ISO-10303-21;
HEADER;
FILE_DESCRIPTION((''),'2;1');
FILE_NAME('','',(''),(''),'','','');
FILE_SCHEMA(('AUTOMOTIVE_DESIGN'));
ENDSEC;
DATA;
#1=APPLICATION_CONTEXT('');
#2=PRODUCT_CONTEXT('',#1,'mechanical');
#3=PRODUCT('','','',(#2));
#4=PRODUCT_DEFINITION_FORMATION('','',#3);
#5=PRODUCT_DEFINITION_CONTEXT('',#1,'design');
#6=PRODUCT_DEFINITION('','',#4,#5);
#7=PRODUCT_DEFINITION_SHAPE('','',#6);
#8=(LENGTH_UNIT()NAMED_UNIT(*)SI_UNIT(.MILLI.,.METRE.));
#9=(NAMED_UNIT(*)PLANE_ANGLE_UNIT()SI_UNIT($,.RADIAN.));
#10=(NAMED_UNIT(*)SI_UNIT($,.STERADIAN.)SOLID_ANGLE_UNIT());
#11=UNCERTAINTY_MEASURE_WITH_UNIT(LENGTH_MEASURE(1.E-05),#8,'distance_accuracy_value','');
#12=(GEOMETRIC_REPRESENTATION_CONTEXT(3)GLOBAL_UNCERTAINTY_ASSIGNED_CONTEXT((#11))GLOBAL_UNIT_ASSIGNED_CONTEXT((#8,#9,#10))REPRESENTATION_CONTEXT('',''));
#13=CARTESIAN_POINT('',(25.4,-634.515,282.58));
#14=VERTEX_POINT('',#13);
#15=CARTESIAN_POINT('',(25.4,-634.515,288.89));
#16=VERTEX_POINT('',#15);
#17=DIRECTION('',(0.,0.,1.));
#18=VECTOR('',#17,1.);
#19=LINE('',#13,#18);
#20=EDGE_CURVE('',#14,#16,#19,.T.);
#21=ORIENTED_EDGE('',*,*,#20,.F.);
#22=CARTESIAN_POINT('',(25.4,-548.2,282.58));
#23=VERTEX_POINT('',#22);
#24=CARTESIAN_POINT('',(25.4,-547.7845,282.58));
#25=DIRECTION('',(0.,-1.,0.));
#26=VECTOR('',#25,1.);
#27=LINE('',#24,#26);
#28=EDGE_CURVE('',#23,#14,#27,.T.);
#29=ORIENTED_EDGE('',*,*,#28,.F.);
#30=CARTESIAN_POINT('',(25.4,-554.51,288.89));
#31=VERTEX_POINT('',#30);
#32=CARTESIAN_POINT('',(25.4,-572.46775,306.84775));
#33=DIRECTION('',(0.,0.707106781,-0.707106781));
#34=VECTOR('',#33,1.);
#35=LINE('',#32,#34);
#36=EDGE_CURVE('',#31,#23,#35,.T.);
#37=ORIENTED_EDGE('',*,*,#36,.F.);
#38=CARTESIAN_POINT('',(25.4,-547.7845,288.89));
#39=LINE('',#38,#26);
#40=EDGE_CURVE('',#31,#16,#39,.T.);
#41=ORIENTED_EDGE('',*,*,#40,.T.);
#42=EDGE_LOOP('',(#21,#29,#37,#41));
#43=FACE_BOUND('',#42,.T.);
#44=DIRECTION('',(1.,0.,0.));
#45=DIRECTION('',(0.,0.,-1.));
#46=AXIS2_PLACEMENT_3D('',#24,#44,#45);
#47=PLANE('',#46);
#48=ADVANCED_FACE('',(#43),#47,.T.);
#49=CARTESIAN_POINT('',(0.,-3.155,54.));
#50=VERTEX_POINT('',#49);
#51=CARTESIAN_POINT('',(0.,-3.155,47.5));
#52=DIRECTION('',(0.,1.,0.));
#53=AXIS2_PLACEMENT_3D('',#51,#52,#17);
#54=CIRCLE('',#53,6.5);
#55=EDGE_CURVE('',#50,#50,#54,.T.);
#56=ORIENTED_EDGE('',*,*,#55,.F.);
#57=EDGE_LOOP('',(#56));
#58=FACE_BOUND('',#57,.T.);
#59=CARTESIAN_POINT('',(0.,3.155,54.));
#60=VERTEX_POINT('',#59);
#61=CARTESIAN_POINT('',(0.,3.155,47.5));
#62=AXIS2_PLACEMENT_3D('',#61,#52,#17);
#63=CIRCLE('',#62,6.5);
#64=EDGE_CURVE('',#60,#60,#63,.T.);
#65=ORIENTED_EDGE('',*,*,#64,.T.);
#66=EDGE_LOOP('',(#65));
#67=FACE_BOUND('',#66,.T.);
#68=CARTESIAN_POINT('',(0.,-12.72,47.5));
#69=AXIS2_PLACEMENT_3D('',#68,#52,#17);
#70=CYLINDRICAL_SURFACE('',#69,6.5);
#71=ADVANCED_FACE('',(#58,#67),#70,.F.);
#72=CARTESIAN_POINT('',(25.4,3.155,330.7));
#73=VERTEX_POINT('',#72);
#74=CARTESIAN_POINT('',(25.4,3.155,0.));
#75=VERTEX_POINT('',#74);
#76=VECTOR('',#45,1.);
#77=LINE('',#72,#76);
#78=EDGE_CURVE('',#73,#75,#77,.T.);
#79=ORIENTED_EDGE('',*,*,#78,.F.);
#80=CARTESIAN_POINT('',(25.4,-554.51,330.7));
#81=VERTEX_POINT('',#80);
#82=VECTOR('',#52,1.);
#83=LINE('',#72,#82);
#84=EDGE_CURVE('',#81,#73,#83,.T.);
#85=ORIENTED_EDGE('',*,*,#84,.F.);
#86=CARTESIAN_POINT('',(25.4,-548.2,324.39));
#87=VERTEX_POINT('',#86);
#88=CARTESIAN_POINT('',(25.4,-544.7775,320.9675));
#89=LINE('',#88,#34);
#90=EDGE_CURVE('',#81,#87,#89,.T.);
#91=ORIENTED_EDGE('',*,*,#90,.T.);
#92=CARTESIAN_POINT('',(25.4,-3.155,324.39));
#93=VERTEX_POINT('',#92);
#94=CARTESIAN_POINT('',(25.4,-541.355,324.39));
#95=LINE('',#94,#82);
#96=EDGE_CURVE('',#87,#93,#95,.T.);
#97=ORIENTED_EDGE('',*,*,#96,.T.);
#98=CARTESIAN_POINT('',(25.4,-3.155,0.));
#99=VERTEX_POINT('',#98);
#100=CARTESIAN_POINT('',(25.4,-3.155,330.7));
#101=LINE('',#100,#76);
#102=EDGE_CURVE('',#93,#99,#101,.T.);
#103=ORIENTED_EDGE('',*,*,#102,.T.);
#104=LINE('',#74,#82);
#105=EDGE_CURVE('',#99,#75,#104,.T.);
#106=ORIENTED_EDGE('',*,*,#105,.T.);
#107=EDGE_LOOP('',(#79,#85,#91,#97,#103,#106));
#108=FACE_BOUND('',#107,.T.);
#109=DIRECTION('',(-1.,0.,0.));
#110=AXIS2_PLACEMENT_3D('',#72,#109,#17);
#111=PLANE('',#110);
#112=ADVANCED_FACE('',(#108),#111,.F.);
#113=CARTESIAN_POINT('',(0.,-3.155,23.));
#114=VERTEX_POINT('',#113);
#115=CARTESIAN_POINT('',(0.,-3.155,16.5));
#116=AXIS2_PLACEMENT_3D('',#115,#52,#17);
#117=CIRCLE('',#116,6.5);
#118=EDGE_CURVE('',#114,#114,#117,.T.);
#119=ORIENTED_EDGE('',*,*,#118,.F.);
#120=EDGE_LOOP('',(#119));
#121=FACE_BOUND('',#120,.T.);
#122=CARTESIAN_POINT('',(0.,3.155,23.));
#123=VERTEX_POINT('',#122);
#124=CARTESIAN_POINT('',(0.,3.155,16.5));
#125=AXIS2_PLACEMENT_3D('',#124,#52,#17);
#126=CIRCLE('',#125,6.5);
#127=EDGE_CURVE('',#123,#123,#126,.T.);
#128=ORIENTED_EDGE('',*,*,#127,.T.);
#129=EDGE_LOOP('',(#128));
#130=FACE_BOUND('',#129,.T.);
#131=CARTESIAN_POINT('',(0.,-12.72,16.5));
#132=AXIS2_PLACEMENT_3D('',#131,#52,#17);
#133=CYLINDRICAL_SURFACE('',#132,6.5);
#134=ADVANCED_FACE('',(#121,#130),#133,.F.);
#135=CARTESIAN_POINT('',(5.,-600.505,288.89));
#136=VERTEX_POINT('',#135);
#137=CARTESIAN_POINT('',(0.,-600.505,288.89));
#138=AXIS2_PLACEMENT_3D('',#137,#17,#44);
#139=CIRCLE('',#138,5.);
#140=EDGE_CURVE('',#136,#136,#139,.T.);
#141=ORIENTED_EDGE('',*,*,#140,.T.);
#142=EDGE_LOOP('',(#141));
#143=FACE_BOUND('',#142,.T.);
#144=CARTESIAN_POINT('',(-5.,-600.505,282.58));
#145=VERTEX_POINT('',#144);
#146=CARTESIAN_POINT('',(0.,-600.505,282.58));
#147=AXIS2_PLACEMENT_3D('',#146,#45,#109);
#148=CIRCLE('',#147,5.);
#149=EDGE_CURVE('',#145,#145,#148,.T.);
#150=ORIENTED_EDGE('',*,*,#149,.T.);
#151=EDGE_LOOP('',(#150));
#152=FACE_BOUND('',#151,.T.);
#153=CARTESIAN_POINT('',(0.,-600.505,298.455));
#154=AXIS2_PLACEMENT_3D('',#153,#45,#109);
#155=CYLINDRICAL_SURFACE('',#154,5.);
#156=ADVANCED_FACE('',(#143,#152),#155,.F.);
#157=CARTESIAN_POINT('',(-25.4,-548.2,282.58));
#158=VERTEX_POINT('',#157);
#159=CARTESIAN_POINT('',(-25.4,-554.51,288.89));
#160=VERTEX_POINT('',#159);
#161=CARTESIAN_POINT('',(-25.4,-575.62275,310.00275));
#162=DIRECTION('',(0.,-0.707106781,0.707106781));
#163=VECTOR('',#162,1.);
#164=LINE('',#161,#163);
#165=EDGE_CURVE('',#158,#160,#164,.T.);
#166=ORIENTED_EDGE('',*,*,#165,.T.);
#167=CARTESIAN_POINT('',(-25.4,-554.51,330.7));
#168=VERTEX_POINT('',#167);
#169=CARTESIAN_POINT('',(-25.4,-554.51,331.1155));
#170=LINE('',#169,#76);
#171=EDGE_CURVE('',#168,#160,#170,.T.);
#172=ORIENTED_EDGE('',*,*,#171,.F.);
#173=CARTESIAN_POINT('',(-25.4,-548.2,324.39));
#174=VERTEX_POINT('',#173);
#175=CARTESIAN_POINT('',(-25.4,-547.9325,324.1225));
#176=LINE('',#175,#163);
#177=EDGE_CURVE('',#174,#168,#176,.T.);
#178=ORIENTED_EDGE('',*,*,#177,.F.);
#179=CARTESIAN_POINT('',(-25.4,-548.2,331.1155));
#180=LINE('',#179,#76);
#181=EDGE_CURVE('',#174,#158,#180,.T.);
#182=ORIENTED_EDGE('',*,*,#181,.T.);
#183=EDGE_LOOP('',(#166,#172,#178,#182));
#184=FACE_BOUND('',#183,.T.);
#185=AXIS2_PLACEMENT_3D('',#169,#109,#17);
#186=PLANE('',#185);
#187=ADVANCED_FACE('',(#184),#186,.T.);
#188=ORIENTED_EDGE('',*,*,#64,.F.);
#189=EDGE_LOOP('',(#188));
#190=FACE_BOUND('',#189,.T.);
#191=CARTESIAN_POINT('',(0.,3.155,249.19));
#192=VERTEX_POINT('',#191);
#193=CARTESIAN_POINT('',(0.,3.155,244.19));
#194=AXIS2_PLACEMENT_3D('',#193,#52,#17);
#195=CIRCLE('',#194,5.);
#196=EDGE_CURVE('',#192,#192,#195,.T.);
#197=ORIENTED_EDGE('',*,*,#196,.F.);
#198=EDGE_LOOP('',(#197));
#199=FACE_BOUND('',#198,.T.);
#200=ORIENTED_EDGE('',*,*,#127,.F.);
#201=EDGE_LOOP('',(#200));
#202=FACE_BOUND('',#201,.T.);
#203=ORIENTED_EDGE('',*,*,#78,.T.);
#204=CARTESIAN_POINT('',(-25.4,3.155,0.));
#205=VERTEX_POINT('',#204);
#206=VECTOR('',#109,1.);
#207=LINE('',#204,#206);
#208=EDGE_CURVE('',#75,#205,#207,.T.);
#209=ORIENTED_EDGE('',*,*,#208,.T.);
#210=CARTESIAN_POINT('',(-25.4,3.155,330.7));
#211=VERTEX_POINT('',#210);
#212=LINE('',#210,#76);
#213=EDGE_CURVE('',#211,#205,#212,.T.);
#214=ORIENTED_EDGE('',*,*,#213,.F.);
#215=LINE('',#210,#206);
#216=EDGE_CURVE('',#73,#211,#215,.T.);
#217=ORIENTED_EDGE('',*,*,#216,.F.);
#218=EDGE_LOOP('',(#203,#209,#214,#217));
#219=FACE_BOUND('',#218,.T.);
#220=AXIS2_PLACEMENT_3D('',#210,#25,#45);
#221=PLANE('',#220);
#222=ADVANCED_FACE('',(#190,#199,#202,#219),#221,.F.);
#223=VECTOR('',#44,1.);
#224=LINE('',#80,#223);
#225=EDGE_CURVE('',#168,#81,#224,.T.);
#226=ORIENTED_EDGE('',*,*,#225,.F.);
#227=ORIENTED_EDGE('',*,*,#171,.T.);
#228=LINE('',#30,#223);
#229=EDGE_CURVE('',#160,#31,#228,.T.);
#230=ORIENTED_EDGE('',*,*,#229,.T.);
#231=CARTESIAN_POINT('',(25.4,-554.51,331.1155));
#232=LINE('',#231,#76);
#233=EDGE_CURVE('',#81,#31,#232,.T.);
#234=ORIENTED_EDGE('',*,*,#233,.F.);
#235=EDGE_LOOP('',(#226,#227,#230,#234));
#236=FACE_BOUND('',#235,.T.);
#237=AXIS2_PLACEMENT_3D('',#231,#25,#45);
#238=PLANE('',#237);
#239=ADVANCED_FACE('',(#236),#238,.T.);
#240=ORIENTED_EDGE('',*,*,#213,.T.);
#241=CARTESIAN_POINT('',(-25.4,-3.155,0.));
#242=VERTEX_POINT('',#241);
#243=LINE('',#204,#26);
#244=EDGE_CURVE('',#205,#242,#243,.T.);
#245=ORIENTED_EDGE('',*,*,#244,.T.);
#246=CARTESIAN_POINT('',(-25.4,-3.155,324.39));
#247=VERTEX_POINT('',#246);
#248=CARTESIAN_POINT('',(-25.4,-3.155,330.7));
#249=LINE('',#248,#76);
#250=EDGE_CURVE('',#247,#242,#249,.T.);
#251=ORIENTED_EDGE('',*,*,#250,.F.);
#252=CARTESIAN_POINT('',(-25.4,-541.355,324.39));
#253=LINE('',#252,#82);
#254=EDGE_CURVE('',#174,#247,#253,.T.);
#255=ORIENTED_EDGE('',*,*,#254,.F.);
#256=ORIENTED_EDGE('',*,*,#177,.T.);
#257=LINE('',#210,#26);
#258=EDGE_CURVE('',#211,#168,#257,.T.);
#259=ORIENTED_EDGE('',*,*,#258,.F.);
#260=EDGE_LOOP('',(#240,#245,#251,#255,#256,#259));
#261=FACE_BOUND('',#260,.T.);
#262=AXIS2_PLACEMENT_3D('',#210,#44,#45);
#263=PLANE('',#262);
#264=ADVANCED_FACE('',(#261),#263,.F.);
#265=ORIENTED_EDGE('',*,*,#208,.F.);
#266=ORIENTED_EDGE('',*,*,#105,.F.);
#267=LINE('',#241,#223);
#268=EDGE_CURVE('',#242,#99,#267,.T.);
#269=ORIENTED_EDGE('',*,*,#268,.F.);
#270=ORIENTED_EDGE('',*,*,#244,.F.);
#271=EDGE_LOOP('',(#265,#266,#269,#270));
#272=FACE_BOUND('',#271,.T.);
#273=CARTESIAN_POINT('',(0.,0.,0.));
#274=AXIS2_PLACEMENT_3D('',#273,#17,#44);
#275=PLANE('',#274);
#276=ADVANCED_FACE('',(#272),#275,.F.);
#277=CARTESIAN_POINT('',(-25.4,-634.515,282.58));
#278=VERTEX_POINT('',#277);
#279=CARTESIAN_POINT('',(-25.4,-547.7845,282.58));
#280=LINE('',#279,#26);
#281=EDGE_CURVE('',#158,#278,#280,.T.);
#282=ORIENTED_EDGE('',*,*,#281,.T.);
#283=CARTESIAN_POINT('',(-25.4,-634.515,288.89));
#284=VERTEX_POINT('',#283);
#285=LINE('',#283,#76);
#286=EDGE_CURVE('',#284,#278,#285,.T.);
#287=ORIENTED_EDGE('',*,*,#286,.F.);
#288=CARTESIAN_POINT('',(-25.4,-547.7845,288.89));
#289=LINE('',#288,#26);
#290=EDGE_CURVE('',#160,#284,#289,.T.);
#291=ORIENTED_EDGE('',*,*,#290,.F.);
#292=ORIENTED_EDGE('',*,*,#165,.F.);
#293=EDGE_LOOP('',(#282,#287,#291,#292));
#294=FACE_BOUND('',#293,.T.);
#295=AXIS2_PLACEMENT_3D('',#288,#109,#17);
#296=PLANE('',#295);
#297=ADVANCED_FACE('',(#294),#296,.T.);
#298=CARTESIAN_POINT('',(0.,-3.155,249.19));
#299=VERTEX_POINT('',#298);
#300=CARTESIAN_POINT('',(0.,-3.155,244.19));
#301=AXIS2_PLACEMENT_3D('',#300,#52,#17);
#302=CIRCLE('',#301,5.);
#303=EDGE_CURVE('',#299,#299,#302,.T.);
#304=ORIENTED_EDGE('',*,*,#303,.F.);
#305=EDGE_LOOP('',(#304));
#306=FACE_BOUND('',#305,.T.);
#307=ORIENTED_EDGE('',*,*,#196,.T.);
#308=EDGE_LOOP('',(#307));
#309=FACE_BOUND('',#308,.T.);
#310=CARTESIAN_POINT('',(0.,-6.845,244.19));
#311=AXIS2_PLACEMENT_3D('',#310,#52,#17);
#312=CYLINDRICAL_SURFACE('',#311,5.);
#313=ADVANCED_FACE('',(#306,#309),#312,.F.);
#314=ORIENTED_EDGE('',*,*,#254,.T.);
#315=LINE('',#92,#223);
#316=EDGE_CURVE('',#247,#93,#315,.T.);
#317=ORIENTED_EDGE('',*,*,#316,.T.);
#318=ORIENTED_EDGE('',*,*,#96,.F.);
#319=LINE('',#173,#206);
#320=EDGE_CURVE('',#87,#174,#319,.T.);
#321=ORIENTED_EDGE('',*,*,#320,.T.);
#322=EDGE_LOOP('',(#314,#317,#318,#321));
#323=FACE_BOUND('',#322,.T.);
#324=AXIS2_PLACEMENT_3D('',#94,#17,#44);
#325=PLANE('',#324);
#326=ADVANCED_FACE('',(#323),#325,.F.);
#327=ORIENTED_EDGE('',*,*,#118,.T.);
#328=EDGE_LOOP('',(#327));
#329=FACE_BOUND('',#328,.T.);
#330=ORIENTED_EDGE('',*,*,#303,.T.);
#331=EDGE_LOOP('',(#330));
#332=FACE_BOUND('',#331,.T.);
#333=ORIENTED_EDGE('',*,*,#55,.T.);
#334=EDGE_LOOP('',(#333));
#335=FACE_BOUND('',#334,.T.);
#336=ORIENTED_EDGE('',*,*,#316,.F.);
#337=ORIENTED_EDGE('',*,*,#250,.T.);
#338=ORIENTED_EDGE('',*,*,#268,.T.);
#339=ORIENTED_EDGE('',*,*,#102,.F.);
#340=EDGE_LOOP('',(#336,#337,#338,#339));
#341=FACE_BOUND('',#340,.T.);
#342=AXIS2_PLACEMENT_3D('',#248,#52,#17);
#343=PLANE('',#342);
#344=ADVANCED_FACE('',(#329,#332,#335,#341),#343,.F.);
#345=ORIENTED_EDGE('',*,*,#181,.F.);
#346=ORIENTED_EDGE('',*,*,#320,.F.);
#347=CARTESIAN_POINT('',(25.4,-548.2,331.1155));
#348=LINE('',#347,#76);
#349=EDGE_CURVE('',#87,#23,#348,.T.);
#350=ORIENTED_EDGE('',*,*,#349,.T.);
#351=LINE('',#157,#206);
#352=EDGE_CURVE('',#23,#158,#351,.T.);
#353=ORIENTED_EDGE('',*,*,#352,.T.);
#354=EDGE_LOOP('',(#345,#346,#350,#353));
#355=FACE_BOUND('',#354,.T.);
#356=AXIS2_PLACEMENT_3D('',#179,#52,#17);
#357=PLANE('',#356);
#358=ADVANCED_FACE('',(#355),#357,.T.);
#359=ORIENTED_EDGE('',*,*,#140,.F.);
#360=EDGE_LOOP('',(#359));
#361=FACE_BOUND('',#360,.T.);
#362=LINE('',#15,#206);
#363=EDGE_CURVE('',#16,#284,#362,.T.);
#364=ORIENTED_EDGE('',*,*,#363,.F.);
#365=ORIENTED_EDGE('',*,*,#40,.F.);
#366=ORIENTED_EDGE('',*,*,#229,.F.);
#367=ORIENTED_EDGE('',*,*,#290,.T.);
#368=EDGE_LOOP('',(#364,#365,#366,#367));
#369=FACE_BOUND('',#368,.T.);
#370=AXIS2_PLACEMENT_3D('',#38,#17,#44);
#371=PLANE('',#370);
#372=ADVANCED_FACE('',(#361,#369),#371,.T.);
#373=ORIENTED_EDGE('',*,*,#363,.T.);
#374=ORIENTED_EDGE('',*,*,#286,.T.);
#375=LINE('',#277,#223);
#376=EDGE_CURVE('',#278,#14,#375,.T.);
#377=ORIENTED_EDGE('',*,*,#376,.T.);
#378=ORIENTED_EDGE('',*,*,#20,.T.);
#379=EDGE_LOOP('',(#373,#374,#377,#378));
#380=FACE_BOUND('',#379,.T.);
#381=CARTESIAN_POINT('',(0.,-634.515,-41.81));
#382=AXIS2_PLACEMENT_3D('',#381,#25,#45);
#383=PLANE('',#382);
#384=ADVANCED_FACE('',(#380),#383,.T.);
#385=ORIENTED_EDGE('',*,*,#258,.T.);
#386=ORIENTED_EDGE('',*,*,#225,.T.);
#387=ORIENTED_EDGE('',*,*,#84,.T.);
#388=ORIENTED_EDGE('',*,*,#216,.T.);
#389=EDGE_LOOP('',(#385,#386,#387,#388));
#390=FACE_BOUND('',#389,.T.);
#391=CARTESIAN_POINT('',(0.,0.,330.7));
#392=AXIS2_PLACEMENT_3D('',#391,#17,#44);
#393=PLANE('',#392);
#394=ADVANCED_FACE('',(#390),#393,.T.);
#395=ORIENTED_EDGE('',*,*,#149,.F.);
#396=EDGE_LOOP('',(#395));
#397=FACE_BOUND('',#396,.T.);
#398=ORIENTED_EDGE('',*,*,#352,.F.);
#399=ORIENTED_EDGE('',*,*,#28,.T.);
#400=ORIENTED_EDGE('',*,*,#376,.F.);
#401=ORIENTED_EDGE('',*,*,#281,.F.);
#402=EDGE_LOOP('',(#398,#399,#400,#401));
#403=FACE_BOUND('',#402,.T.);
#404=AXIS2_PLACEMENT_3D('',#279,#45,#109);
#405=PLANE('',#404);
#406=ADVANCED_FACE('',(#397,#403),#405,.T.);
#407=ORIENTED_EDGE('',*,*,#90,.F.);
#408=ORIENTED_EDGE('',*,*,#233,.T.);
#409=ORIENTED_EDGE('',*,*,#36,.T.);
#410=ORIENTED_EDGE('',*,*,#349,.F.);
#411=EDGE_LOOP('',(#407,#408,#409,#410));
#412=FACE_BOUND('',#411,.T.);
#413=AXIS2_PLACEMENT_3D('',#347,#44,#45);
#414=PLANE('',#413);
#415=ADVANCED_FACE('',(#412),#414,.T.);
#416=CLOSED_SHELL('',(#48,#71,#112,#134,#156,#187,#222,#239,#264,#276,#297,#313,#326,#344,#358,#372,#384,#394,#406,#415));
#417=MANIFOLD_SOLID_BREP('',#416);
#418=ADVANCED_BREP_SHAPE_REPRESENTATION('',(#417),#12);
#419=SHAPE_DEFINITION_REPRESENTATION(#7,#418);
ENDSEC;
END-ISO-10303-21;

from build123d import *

# Parameters (mm, degrees)
CROQUIS1_W              = 50.8
CROQUIS1_H              = 6.31
SALIENTE_EXTRUIR1_DEPTH = 330.7
CROQUIS3_W              = 50.8
CROQUIS3_H              = 6.31
SALIENTE_EXTRUIR2_DEPTH = 538.2
CROQUIS7_W              = 50.8
CROQUIS7_H              = 6.31
CROQUIS8_R              = 5
CORTAR_EXTRUIR2_DEPTH   = 15.875
CROQUIS9_R              = 6.5
CORTAR_EXTRUIR3_DEPTH   = 15.875
CROQUIS11_R             = 5
CORTAR_EXTRUIR5_DEPTH   = 10


with BuildPart() as part:
    # Croquis1 → Saliente-Extruir1 (new body)
    with BuildSketch(Plane.XY):
        Rectangle(CROQUIS1_W, CROQUIS1_H)
    extrude(amount=SALIENTE_EXTRUIR1_DEPTH)

    # Croquis3 → Saliente-Extruir2 (add)
    with BuildSketch(Plane.XZ.offset(3.155)):
        with Locations((0, 327.545)):
            Rectangle(CROQUIS3_W, CROQUIS3_H)
    extrude(amount=SALIENTE_EXTRUIR2_DEPTH)

    # Barrer1: sweep along a curve in space
    with BuildLine() as barrer1_path:
        Line((0, -541.355, 327.545), (0, -551.355, 327.545))
        Line((0, -551.355, 327.545), (0, -551.355, 285.735))
        Line((0, -551.355, 285.735), (0, -634.515, 285.735))
    # Croquis7 → Barrer1 (sweep)
    with BuildSketch(Plane.XZ.offset(541.355)):
        with Locations((0, 327.545)):
            Rectangle(CROQUIS7_W, CROQUIS7_H)
    sweep(path=barrer1_path.line, transition=Transition.RIGHT)

    # Croquis8 → Cortar-Extruir2 (cut)
    with BuildSketch(Plane(origin=(0, 0, 282.58), x_dir=(-1, 0, 0), z_dir=(0, 0, -1))):
        with Locations((0, -600.505)):
            Circle(CROQUIS8_R)
    extrude(amount=-CORTAR_EXTRUIR2_DEPTH, mode=Mode.SUBTRACT)

    # Croquis9 → Cortar-Extruir3 (cut)
    with BuildSketch(Plane(origin=(0, 3.155, 0), x_dir=(1, 0, 0), z_dir=(0, 1, 0))):
        with Locations(Location((0, -47.5, 0), (0, 0, 270))):
            Circle(CROQUIS9_R)
        with Locations(Location((0, -16.5, 0), (0, 0, 270))):
            Circle(CROQUIS9_R)
    extrude(amount=-CORTAR_EXTRUIR3_DEPTH, mode=Mode.SUBTRACT)

    # Croquis11 → Cortar-Extruir5 (cut)
    with BuildSketch(Plane(origin=(0, 3.155, 0), x_dir=(1, 0, 0), z_dir=(0, 1, 0))):
        with Locations(Location((0, -244.19, 0), (0, 0, 270))):
            Circle(CROQUIS11_R)
    extrude(amount=-CORTAR_EXTRUIR5_DEPTH, mode=Mode.SUBTRACT)


solid = part.part
